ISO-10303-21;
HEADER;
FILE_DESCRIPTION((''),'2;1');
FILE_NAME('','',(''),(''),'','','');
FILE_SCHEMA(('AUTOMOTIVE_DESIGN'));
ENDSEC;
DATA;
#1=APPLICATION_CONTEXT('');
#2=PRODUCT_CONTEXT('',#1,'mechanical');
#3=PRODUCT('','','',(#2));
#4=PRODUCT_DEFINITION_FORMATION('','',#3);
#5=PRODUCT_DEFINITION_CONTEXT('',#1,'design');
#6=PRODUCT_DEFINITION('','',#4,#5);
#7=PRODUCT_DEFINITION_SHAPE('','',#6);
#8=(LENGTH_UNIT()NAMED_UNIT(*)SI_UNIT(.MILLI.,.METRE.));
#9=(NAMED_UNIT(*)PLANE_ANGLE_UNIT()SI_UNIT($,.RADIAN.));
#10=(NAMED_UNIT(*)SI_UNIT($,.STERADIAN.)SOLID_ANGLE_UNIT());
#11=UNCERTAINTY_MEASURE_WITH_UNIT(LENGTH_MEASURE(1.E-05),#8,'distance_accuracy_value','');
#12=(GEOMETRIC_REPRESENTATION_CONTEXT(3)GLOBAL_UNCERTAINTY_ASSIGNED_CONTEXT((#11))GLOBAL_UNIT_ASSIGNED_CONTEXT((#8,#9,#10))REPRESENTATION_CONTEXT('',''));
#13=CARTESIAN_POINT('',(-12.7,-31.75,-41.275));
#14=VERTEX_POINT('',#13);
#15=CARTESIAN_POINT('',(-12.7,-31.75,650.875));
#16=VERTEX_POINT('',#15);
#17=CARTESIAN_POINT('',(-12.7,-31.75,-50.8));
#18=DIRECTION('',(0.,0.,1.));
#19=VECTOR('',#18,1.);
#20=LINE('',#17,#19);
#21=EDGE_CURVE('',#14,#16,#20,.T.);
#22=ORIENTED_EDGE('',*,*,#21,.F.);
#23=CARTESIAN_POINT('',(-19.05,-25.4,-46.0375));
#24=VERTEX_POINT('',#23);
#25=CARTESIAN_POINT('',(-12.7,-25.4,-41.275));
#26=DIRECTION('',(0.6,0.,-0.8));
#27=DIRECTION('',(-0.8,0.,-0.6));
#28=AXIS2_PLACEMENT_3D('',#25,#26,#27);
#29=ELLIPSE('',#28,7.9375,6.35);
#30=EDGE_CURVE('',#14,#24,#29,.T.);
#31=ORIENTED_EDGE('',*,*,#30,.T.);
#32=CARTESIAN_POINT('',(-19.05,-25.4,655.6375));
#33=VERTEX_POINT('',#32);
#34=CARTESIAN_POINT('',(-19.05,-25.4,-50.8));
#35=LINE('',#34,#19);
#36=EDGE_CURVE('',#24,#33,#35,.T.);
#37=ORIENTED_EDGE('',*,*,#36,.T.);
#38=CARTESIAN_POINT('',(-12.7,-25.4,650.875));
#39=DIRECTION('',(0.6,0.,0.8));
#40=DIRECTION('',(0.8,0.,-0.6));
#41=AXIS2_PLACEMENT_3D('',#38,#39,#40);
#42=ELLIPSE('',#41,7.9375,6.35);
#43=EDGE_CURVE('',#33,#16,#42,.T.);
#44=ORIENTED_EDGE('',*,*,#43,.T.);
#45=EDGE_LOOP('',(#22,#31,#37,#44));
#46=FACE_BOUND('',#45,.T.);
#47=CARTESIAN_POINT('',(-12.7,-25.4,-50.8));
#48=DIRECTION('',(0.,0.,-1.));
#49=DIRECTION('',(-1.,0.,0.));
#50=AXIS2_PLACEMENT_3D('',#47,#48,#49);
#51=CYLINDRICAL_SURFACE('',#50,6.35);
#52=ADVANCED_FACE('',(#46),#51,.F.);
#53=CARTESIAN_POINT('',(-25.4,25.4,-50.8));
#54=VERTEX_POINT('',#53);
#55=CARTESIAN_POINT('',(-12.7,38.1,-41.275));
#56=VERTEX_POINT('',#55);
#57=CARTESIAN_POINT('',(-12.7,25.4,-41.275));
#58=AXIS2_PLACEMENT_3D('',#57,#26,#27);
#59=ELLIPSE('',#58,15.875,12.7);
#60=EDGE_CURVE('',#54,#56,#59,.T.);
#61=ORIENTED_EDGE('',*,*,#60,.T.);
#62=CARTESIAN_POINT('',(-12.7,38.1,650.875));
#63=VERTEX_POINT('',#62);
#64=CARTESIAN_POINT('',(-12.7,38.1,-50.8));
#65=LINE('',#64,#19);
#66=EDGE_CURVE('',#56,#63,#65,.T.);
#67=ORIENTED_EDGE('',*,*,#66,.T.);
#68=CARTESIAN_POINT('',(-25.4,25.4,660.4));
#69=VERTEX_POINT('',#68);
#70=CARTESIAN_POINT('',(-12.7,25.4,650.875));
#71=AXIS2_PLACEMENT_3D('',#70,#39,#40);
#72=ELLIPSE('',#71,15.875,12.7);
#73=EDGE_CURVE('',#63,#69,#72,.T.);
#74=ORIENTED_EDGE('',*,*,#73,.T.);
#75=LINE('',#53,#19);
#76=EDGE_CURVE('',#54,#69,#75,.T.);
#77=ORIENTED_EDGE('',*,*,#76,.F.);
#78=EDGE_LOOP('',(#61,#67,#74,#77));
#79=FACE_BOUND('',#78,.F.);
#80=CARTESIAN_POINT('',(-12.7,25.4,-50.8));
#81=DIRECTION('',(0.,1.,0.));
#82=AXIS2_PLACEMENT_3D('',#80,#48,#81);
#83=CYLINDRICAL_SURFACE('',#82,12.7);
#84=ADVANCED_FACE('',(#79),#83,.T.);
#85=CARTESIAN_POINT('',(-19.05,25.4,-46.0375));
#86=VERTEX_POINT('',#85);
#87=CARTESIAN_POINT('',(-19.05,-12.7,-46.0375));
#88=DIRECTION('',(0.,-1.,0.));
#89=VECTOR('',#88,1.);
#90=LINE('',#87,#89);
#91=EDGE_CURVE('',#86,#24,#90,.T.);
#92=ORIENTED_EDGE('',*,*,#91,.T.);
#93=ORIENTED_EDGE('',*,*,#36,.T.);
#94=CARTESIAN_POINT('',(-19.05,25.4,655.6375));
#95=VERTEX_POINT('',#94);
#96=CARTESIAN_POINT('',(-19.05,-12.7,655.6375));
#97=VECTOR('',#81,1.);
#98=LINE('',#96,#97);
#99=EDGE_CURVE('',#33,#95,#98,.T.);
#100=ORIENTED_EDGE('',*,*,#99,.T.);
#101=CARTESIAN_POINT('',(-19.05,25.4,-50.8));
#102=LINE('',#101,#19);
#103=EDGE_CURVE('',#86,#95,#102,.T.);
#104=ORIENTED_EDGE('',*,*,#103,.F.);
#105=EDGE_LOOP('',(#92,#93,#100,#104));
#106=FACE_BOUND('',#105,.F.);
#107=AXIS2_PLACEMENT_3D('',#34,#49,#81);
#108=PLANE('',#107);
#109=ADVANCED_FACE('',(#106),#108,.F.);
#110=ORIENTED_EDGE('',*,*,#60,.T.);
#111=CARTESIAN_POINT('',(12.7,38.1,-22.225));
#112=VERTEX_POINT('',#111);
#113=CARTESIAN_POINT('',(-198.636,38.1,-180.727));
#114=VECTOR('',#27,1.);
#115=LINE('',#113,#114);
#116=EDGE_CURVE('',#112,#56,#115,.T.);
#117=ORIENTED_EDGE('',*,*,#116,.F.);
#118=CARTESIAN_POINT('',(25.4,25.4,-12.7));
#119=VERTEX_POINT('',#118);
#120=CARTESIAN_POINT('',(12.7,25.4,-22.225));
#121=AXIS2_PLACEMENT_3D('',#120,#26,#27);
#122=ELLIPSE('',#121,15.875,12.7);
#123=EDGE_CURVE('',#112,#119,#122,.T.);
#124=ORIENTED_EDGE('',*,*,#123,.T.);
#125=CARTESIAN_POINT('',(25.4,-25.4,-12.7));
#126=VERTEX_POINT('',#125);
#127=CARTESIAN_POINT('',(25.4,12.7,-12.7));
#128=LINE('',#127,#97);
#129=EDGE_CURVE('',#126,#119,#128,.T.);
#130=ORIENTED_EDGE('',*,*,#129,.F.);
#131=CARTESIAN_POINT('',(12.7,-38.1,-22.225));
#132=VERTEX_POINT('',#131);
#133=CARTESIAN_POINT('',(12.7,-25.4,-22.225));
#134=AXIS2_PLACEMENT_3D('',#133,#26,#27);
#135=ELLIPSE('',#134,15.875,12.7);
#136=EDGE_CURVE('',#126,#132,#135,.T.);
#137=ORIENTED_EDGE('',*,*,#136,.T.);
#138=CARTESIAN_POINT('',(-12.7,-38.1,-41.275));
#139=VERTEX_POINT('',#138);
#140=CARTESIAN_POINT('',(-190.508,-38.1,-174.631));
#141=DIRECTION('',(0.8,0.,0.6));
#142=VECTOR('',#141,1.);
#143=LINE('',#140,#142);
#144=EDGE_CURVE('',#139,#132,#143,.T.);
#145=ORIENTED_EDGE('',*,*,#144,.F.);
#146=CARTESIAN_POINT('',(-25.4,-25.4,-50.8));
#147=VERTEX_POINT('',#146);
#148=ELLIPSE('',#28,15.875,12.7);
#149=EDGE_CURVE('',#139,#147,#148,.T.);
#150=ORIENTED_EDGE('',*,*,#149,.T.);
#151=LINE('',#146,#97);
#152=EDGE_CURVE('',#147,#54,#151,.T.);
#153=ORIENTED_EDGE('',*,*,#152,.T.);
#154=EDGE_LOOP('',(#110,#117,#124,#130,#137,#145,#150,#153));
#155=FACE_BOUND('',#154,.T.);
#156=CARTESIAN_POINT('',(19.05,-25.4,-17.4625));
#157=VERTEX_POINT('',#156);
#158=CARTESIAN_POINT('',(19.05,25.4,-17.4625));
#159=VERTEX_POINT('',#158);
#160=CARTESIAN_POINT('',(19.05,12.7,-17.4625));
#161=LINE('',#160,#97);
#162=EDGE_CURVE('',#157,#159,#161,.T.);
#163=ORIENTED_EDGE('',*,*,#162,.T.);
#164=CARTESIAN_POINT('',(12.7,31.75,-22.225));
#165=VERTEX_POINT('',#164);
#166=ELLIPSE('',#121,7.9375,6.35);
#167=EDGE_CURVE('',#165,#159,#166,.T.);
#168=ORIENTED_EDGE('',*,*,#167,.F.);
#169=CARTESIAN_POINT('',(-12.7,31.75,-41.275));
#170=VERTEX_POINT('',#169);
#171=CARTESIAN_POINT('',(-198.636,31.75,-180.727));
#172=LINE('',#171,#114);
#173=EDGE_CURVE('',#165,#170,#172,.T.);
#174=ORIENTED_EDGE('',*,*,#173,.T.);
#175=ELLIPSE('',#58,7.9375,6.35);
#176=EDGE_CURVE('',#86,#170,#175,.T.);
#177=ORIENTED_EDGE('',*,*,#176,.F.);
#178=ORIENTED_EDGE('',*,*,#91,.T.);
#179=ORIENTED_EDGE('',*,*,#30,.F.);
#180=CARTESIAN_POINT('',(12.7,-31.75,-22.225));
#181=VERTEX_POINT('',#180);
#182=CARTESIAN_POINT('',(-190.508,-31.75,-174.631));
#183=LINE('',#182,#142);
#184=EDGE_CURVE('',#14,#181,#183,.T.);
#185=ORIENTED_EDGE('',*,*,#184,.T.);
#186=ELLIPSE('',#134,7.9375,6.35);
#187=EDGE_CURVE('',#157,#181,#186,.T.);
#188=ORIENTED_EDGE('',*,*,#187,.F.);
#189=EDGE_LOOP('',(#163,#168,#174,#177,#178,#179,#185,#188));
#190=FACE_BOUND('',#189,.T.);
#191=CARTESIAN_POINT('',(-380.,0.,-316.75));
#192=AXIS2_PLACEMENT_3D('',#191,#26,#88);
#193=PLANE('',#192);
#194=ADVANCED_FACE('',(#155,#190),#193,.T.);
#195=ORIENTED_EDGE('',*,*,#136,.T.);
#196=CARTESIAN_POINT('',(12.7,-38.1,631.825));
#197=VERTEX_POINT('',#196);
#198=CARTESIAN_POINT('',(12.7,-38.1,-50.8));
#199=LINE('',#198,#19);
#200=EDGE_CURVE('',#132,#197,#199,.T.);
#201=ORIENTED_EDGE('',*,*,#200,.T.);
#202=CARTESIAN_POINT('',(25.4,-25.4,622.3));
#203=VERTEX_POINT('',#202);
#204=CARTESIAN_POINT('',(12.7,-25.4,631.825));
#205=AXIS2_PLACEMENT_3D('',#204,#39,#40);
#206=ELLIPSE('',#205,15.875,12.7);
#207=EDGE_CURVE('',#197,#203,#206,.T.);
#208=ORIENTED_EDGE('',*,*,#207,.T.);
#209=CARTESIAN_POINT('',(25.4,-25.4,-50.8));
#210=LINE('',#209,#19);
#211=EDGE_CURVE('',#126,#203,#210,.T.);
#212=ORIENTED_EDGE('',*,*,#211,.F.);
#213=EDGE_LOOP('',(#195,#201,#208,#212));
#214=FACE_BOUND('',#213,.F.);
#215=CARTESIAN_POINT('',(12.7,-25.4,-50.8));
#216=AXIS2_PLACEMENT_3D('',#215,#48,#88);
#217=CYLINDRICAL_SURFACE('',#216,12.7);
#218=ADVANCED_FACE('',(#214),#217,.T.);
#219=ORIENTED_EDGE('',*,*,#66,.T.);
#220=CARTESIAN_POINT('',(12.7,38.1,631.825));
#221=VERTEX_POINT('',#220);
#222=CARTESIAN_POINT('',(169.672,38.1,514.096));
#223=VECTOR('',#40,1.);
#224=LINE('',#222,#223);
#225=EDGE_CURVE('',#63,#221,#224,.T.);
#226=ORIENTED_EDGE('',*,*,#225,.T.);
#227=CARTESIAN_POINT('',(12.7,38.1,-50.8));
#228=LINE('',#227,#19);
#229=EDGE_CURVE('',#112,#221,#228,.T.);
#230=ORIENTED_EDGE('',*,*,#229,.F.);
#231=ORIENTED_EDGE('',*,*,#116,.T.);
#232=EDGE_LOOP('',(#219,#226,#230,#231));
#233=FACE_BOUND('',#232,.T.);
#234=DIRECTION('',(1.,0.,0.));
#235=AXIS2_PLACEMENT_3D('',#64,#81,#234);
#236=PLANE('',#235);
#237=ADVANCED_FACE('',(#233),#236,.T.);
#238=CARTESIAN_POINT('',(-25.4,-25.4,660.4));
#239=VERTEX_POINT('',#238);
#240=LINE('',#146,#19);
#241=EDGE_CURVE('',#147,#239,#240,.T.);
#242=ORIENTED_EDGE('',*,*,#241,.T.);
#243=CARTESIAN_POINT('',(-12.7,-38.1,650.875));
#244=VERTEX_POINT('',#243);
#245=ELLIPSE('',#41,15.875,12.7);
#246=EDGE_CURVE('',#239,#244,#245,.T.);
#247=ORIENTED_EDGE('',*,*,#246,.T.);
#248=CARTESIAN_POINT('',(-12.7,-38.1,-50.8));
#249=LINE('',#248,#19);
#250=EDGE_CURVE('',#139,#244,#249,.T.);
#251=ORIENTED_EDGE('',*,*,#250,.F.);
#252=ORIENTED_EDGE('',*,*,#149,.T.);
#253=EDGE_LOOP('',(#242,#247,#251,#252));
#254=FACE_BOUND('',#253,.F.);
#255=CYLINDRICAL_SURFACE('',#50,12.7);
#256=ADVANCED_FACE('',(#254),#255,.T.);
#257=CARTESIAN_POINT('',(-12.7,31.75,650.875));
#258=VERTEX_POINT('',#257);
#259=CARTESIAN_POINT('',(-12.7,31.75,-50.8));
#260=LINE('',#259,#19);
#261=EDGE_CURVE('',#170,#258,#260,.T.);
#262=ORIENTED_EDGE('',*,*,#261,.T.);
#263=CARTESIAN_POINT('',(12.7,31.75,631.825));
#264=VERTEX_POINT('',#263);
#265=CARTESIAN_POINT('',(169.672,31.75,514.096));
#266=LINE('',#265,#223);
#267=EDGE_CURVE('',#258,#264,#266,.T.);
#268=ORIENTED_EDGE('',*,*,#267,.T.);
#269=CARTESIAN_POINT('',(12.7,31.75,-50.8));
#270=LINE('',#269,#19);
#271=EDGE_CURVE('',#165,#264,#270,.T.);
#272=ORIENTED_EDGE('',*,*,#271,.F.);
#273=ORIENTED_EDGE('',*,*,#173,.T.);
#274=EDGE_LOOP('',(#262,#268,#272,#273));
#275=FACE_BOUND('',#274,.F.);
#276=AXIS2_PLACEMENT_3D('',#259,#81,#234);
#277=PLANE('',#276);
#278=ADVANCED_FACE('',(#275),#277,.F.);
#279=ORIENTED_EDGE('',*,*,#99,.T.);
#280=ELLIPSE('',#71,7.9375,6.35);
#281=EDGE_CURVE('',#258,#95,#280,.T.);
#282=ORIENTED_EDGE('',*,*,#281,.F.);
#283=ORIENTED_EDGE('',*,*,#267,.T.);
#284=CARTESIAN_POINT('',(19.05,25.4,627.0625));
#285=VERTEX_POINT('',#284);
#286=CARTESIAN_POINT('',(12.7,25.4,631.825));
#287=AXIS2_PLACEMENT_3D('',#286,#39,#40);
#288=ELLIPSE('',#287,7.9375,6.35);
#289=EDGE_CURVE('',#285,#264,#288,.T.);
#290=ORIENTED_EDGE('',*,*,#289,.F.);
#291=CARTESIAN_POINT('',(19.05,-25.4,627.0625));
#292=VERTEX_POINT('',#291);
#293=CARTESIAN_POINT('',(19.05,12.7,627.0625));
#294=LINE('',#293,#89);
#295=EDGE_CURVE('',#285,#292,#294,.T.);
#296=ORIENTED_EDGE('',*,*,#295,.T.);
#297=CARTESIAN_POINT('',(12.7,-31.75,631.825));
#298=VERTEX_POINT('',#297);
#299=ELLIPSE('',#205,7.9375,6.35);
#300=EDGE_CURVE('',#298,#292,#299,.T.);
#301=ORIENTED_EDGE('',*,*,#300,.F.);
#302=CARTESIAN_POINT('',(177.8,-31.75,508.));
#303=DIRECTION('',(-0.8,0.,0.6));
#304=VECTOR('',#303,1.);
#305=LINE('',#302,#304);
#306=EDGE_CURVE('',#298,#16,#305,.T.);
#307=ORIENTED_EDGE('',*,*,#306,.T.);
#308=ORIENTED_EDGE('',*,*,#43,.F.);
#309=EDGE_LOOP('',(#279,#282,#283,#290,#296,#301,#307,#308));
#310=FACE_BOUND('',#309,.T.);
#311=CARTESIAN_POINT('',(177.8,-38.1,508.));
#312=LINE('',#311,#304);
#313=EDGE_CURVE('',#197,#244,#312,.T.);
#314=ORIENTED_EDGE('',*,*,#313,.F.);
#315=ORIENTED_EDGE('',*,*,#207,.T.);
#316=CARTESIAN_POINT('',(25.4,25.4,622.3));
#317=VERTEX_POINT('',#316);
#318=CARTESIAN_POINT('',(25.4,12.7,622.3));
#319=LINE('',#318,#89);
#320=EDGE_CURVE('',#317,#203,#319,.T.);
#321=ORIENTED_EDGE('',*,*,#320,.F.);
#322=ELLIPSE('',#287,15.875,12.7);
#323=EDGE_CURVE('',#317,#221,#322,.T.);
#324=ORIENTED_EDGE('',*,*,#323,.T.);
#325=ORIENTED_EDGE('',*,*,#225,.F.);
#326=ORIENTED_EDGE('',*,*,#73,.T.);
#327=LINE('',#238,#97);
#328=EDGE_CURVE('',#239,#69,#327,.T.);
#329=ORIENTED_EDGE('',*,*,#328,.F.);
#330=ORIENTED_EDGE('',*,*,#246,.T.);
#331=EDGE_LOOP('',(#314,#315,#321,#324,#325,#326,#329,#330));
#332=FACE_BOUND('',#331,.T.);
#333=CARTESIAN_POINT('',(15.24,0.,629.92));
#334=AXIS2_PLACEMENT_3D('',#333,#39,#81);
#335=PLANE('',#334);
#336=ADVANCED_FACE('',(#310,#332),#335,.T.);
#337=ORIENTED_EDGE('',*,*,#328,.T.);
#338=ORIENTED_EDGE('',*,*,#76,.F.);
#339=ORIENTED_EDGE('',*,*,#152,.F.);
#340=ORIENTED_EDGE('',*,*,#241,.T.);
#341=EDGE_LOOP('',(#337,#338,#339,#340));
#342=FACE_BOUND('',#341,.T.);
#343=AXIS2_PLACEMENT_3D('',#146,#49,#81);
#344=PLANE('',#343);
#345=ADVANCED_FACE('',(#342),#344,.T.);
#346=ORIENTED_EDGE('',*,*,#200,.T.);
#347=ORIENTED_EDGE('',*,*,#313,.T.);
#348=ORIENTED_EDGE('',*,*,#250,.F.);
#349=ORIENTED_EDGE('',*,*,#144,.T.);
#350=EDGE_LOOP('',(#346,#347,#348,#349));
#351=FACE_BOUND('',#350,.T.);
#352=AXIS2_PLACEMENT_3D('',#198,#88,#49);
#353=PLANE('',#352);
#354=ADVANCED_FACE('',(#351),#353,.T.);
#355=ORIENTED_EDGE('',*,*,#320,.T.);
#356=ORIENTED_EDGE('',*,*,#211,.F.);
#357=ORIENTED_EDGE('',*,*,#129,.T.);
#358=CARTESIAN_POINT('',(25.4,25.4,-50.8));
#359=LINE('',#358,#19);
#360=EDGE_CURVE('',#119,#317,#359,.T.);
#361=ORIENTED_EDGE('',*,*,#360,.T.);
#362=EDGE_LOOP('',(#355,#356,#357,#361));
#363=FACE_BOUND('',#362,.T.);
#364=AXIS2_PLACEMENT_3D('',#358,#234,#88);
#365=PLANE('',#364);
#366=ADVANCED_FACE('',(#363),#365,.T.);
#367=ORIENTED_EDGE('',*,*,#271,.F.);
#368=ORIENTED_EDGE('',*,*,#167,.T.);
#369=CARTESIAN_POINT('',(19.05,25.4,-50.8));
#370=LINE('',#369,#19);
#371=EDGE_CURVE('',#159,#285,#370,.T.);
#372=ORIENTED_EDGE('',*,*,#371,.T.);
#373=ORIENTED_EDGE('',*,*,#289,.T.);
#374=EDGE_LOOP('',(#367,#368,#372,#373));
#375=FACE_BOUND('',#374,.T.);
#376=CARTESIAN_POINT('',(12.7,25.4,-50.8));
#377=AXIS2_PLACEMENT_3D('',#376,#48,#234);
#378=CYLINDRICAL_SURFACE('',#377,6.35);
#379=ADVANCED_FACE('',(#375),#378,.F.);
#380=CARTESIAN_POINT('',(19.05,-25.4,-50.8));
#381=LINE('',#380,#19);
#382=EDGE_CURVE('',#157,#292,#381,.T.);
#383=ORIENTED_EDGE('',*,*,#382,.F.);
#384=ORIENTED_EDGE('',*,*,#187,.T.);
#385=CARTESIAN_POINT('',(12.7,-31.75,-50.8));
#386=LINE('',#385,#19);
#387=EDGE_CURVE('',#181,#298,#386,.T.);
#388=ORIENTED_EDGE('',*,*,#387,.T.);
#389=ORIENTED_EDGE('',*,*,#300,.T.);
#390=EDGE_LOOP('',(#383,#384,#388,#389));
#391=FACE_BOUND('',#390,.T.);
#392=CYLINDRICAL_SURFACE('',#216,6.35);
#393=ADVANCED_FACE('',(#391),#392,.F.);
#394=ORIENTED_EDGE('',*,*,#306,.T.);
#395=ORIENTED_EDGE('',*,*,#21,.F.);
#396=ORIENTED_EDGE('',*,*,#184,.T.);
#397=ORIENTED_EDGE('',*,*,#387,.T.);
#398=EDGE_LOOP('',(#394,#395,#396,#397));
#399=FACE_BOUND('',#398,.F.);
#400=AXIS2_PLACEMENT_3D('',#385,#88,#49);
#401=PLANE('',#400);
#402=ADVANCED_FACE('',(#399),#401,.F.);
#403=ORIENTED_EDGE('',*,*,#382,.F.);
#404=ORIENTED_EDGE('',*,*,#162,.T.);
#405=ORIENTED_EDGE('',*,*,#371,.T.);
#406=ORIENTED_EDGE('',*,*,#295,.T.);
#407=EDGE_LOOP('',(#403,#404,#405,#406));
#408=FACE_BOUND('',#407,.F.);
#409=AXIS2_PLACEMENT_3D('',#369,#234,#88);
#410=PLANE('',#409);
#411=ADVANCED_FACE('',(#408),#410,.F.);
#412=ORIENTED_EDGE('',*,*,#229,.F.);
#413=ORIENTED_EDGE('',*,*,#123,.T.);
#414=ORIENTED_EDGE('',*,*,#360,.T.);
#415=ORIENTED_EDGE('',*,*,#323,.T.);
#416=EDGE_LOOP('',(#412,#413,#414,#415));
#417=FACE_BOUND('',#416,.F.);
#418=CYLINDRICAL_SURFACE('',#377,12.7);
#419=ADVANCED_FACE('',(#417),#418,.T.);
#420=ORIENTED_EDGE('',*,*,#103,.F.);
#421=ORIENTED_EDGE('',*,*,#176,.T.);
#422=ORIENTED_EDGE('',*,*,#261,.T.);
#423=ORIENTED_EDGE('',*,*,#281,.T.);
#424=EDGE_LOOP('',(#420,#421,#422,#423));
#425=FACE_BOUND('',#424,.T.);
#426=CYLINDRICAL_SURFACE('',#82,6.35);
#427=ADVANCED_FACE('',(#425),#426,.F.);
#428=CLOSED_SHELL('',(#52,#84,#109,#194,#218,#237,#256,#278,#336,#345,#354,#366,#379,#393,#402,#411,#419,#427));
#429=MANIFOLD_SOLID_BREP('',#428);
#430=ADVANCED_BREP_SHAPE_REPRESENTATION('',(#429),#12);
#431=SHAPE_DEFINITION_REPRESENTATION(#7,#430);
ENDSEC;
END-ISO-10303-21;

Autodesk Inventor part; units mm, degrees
ref_plane "Start Plane" through (0, 0, -50.8) normal (0, 0, 1) x (1, 0, 0)
ref_plane "End Plane" through (0, 0, 660.4) normal (0, 0, 1) x (1, 0, 0)
sketch "Sketch" plane through (0, 0, 0) normal (0, 0, 1) x (1, 0, 0)
  line L0 (-25.4, -25.4) -> (-25.4, 25.4)
  line L1 (-12.7, 38.1) -> (12.7, 38.1)
  line L2 (25.4, 25.4) -> (25.4, -25.4)
  line L3 (12.7, -38.1) -> (-12.7, -38.1)
  arc A0 (-25.4, -25.4) -> (-12.7, -38.1) centre (-12.7, -25.4) ccw
  arc A1 (-12.7, 38.1) -> (-25.4, 25.4) centre (-12.7, 25.4) ccw
  arc A2 (25.4, 25.4) -> (12.7, 38.1) centre (12.7, 25.4) ccw
  arc A3 (12.7, -38.1) -> (25.4, -25.4) centre (12.7, -25.4) ccw
  arc A4 (-12.7, 31.75) -> (-19.05, 25.4) centre (-12.7, 25.4) ccw
  line L4 (-12.7, 31.75) -> (12.7, 31.75)
  arc A5 (19.05, 25.4) -> (12.7, 31.75) centre (12.7, 25.4) ccw
  line L5 (19.05, 25.4) -> (19.05, -25.4)
  arc A6 (12.7, -31.75) -> (19.05, -25.4) centre (12.7, -25.4) ccw
  line L6 (12.7, -31.75) -> (-12.7, -31.75)
  arc A7 (-19.05, -25.4) -> (-12.7, -31.75) centre (-12.7, -25.4) ccw
  line L7 (-19.05, -25.4) -> (-19.05, 25.4)
  line L8 (0, 57.0224) -> (0, -57.0224) construction
  line L9 (-39.2424, 0) -> (39.2424, 0) construction
  dimension "d10" = 76.2
  dimension "d11" = 50.8
  dimension "d12" = 6.35
  dimension "d15" = 38.1
  dimension "d16" = 25.4
  dimension "d17" = 12.7
extrude "Body" add sketch "Sketch" along normal up to surface (711.2 mm away) from surface at -50.8
sketch "Sketch3" plane through (0, 0, 0) normal (0, 0, 1) x (1, 0, 0)
  line L0 (0, 0) -> (10, 0)
ref_plane "Work Plane3" through (0, 0, 0) normal (0, -1, 0) x (1, 0, 0)
ref_plane "Work Plane4" through (-380, 0, -316.75) normal (0.6, 0, -0.8) x (-0.8, 0, -0.6)
split "Split1" plane through (-380, 0, -316.75) removes the side toward (0.6, 0, -0.8)
ref_plane "Work Plane5" through (15.24, 0, 629.92) normal (0.6, 0, 0.8) x (0.8, 0, -0.6)
split "Split2" plane through (15.24, 0, 629.92) removes the side toward (0.6, 0, 0.8)
sketch "Sketch4" plane through (0, 0, 0) normal (0, -1, 0) x (1, 0, 0)
  line L0 (-2, -50.8) -> (12, -50.8) projected
  line L1 (-2, 660.4) -> (12, 660.4) projected
  dimension "d19" = 711.2
equation "\"d10\" = G_H"
equation "\"d11\" = G_W"
equation "\"d12\" = G_T"
equation "\"d15\" = 0.5 * d10"
equation "\"d16\" = 0.5 * d11"
equation "\"d17\" = G_IR"
equation "\"d3\" = G_L"
equation "\"G_W\" = 50.8"
equation "\"G_H\" = 76.2"
equation "\"G_T\" = 6.35"
equation "\"G_IR\" = 12.7"
equation "\"G_L\" = d19"
equation "\"G_OFFSET_START\" = 50.8"
equation "\"G_OFFSET_END\" = 50.8"
equation "\"d13\" = -G_OFFSET_START"
equation "\"d14\" = G_OFFSET_END + B_L"
equation "\"B_L\" = 609.6"
properties part number "AISC - 3 x 2 x 1/4 - 28" material "Steel, Mild"
